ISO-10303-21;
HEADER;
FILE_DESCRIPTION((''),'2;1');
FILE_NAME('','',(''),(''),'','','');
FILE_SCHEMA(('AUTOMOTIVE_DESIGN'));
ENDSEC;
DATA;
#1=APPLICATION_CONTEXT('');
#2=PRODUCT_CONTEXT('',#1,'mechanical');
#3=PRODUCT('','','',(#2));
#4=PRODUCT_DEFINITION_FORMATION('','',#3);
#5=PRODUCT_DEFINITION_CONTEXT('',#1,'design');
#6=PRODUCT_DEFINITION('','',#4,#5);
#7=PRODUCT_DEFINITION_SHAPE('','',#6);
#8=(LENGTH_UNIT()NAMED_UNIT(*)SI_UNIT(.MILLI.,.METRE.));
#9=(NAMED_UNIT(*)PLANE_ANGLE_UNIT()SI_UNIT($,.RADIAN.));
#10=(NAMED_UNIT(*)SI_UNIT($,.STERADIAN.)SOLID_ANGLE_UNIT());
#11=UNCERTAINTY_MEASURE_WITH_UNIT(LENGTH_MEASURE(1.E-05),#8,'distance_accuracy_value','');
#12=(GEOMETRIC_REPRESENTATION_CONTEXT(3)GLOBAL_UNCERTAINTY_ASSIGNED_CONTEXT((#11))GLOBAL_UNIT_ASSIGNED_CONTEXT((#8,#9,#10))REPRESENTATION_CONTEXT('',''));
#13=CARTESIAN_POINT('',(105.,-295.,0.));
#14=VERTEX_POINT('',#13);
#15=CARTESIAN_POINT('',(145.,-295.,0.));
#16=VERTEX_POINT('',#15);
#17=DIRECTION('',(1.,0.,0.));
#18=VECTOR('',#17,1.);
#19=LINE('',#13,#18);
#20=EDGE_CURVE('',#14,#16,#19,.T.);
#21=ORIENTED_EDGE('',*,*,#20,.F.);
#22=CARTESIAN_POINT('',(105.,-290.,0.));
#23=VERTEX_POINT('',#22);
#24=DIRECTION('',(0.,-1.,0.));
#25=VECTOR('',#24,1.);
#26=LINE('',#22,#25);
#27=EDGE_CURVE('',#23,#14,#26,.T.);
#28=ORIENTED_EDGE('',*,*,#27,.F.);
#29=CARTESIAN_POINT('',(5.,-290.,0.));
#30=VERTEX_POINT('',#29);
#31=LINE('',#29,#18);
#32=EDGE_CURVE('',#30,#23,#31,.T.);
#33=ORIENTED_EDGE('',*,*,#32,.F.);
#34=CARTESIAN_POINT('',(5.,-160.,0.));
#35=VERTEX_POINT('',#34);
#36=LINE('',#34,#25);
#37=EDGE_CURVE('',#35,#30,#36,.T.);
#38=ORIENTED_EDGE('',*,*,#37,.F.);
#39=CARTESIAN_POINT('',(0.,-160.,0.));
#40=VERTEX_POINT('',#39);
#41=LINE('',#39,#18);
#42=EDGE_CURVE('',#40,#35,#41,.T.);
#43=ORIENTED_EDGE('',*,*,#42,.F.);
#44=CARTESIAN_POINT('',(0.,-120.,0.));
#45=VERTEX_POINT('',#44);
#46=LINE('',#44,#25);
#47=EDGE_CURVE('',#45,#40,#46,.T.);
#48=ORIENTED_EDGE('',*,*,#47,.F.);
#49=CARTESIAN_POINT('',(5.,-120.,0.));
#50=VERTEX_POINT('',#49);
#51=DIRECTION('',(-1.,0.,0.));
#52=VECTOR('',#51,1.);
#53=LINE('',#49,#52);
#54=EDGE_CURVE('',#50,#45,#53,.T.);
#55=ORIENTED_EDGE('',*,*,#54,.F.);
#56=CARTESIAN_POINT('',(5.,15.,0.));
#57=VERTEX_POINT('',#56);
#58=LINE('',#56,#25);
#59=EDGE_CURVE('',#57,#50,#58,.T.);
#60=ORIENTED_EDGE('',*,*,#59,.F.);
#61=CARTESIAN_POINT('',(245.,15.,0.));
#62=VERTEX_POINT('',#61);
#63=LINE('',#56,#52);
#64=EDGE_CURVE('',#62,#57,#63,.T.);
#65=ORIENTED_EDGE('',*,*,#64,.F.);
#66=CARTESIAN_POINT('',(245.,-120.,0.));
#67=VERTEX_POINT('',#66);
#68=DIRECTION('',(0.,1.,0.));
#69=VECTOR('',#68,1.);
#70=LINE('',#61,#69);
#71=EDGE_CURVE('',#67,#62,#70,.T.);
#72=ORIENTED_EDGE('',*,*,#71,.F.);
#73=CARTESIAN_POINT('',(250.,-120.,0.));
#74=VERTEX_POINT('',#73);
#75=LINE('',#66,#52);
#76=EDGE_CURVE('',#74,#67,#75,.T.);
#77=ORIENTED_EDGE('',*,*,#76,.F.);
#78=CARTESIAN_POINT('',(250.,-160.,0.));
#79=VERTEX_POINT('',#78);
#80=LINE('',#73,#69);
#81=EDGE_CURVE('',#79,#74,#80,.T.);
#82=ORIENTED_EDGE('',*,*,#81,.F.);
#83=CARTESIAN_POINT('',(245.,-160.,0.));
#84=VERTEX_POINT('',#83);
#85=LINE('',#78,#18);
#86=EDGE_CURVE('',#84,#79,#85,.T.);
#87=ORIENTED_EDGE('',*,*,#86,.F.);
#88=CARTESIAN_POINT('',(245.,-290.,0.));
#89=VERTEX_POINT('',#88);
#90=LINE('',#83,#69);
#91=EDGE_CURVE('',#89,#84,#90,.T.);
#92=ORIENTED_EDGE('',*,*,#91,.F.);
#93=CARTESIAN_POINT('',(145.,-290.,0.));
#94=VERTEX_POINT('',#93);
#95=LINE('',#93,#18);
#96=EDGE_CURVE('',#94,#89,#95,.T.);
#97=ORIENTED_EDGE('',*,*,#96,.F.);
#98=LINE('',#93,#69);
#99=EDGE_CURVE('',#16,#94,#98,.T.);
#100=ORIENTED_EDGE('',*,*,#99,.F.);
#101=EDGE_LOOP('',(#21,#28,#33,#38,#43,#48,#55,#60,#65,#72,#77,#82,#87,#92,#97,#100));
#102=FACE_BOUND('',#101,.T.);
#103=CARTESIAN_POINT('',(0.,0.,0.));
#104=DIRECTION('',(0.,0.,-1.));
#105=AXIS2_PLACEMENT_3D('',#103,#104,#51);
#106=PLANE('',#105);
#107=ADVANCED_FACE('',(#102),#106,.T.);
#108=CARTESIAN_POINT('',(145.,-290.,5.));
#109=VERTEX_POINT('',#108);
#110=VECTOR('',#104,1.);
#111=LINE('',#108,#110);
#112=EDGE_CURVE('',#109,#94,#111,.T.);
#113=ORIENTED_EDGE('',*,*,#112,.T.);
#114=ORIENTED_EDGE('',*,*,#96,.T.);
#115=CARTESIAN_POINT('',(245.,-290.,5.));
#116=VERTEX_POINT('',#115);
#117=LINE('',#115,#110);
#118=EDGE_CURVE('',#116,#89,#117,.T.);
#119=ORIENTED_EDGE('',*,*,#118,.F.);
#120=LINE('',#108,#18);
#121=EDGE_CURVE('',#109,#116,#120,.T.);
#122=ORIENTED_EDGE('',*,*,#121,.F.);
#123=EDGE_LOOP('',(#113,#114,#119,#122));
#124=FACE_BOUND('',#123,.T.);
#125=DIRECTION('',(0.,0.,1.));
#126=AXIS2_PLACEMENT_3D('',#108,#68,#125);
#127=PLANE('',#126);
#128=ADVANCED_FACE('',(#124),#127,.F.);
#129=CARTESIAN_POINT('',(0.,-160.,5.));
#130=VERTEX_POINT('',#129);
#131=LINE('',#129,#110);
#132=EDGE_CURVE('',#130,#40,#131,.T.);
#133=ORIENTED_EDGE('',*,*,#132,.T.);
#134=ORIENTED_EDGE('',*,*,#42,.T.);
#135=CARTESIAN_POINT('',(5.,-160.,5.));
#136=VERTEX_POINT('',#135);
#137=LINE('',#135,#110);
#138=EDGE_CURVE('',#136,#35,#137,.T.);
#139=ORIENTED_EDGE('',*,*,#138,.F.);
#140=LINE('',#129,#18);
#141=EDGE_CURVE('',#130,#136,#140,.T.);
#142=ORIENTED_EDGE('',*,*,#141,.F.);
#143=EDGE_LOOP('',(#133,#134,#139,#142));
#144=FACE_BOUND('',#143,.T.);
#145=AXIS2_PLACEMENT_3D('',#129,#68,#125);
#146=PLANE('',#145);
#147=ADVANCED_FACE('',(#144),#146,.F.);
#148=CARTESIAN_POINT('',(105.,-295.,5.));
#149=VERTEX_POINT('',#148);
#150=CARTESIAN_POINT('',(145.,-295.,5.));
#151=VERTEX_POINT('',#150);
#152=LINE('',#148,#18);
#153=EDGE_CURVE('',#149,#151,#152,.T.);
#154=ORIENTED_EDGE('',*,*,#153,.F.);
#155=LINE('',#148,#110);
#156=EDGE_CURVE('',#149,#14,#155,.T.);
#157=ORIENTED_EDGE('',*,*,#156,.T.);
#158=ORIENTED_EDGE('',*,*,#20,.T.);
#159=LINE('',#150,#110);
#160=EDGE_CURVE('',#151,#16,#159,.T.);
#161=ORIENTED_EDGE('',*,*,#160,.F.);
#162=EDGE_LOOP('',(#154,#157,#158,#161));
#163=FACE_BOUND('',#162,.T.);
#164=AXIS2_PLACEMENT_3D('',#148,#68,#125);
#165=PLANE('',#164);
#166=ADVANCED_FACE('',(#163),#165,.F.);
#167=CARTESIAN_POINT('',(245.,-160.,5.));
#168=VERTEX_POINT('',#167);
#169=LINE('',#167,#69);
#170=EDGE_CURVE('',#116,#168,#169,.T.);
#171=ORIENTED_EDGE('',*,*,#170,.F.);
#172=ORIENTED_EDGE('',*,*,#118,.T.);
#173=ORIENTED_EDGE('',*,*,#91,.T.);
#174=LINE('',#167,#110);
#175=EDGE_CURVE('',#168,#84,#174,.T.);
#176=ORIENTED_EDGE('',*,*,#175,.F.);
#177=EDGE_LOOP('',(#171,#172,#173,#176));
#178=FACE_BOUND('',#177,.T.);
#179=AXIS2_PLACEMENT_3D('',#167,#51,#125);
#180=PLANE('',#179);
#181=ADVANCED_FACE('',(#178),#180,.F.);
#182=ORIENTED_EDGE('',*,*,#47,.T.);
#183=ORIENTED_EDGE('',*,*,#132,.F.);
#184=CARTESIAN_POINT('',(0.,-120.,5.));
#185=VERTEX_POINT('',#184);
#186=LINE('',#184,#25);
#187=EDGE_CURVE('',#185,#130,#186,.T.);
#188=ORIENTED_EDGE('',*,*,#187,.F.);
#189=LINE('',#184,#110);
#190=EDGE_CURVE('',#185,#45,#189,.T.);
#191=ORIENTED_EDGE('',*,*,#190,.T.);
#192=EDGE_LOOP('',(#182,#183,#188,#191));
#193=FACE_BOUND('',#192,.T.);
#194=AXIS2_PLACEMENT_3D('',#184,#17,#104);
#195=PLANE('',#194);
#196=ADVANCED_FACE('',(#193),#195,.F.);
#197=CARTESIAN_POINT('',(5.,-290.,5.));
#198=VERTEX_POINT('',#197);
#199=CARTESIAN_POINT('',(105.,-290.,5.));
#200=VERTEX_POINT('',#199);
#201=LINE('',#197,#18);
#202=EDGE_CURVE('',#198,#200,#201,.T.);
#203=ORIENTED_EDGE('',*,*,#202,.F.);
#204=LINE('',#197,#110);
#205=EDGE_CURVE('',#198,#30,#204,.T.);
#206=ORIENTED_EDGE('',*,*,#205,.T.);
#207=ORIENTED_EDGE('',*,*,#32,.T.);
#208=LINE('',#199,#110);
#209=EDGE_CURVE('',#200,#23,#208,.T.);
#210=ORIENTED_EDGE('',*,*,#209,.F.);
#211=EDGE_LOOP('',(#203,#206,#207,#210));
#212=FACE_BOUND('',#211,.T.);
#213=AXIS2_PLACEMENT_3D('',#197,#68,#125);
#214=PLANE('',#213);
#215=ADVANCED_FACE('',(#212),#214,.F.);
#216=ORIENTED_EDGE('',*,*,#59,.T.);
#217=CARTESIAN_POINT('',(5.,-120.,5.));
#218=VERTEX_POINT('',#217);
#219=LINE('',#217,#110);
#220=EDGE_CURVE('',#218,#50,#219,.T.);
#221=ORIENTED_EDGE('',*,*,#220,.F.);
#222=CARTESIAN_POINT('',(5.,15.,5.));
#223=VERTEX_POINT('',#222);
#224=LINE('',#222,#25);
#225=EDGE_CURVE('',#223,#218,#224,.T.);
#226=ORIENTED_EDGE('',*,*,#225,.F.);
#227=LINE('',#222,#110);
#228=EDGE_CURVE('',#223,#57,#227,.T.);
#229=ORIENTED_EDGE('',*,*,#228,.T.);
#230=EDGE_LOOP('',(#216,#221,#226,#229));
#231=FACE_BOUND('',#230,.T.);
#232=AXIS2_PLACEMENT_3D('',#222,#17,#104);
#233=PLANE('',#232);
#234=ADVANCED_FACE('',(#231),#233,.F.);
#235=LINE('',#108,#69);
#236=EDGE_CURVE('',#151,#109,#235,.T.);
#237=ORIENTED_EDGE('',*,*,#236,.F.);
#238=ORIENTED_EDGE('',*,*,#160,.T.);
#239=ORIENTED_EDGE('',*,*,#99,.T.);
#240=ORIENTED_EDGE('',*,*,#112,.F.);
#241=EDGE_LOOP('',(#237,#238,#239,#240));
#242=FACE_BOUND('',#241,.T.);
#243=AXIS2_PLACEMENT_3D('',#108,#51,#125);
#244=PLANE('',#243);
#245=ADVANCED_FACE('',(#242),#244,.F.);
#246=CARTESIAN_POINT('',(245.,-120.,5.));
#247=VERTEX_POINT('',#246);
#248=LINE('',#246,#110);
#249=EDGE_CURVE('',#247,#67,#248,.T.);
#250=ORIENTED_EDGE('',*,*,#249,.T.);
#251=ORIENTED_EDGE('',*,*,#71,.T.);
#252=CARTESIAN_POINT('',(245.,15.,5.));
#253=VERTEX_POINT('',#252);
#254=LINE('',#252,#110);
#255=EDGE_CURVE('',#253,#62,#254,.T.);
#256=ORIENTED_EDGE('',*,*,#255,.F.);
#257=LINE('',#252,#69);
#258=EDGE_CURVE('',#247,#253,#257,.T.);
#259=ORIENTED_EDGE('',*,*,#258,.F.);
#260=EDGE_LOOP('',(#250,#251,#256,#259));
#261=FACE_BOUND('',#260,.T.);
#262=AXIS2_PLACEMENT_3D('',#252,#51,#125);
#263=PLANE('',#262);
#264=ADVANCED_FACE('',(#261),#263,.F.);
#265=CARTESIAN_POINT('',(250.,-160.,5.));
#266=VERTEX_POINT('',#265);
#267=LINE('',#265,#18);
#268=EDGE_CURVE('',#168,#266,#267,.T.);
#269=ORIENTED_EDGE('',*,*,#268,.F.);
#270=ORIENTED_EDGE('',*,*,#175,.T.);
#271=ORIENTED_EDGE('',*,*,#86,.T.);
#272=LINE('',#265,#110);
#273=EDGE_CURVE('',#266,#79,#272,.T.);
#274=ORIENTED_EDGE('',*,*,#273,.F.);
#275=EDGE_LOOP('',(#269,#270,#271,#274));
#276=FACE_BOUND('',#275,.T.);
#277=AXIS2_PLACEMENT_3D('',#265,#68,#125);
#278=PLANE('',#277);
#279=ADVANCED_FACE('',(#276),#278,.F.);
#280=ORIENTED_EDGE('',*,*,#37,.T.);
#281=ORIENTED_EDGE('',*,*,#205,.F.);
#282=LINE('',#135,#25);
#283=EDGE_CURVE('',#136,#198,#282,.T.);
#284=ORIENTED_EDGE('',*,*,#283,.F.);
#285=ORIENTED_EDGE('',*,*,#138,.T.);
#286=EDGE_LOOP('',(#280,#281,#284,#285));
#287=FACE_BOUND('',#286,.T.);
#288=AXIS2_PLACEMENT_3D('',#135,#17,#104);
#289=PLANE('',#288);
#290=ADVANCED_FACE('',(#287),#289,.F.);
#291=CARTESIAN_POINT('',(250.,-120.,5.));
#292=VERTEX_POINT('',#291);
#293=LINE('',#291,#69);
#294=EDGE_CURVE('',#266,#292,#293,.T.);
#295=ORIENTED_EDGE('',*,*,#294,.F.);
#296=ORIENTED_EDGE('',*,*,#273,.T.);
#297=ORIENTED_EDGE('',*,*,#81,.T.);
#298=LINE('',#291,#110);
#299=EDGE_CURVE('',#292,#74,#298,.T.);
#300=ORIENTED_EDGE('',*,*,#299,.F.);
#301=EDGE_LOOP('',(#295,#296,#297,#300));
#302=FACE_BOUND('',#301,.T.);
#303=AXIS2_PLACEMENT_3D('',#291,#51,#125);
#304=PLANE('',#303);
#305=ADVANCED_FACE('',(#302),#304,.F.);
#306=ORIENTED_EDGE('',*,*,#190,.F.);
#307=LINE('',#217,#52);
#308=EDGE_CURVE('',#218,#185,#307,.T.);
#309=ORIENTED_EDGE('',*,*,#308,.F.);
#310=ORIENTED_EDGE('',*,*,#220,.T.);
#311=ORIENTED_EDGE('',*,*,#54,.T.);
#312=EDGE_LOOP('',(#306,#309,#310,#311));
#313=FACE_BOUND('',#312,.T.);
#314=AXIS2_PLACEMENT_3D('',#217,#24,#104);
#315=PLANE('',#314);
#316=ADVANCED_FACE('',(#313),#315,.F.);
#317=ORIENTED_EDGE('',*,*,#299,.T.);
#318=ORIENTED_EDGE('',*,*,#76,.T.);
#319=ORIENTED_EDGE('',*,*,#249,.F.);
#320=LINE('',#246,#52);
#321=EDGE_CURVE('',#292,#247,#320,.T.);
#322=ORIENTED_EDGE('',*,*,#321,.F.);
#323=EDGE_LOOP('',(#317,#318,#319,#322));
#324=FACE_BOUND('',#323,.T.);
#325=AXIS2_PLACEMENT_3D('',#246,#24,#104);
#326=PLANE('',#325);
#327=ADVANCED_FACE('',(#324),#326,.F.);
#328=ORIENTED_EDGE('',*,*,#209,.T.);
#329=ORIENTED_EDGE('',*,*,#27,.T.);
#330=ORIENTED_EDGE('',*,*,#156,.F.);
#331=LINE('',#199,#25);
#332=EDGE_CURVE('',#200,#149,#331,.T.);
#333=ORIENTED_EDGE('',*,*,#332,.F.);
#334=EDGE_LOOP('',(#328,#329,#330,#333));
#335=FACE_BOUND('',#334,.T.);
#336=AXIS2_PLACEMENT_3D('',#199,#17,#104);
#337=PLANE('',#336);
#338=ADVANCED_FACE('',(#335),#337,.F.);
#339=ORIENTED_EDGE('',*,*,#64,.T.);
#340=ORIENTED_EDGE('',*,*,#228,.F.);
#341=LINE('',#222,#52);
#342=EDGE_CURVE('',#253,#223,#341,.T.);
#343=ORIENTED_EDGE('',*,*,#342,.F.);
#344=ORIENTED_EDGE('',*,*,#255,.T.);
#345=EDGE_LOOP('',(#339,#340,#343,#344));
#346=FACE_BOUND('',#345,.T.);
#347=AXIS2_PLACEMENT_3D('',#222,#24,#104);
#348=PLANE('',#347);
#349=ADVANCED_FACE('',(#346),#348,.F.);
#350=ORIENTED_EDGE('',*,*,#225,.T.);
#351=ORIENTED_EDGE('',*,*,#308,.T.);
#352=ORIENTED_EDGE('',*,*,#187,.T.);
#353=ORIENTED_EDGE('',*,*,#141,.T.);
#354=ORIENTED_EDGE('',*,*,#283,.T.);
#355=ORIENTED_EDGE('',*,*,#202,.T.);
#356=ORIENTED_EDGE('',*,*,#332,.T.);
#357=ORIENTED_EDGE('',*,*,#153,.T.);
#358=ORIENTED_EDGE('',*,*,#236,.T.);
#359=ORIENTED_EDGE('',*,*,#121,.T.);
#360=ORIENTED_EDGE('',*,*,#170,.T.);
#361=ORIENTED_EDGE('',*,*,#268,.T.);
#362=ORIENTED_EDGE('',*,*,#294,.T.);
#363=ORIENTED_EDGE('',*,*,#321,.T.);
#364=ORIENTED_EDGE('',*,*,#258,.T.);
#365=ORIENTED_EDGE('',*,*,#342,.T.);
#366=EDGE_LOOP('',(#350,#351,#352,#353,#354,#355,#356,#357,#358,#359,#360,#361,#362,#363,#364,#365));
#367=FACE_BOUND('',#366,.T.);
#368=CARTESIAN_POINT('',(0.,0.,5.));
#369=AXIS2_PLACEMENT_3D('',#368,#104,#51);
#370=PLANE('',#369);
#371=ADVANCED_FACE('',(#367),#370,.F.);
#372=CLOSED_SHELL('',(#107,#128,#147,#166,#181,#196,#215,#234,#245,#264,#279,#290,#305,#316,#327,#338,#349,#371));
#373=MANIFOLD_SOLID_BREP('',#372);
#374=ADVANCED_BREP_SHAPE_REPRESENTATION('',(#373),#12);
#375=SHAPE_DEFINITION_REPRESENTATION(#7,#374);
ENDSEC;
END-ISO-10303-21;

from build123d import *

# Parameters (mm, degrees)
BOSS_EXTRU_1_DEPTH = 5


with BuildPart() as part:
    # Esquisse1 → Boss.-Extru.1 (new body)
    with BuildSketch(Plane.XY):
        Polygon((5, 15), (245, 15), (245, -120), (250, -120), (250, -160), (245, -160), (245, -290), (145, -290), (145, -295), (105, -295), (105, -290), (5, -290), (5, -160), (0, -160), (0, -120), (5, -120), align=None)
    extrude(amount=BOSS_EXTRU_1_DEPTH)


solid = part.part
